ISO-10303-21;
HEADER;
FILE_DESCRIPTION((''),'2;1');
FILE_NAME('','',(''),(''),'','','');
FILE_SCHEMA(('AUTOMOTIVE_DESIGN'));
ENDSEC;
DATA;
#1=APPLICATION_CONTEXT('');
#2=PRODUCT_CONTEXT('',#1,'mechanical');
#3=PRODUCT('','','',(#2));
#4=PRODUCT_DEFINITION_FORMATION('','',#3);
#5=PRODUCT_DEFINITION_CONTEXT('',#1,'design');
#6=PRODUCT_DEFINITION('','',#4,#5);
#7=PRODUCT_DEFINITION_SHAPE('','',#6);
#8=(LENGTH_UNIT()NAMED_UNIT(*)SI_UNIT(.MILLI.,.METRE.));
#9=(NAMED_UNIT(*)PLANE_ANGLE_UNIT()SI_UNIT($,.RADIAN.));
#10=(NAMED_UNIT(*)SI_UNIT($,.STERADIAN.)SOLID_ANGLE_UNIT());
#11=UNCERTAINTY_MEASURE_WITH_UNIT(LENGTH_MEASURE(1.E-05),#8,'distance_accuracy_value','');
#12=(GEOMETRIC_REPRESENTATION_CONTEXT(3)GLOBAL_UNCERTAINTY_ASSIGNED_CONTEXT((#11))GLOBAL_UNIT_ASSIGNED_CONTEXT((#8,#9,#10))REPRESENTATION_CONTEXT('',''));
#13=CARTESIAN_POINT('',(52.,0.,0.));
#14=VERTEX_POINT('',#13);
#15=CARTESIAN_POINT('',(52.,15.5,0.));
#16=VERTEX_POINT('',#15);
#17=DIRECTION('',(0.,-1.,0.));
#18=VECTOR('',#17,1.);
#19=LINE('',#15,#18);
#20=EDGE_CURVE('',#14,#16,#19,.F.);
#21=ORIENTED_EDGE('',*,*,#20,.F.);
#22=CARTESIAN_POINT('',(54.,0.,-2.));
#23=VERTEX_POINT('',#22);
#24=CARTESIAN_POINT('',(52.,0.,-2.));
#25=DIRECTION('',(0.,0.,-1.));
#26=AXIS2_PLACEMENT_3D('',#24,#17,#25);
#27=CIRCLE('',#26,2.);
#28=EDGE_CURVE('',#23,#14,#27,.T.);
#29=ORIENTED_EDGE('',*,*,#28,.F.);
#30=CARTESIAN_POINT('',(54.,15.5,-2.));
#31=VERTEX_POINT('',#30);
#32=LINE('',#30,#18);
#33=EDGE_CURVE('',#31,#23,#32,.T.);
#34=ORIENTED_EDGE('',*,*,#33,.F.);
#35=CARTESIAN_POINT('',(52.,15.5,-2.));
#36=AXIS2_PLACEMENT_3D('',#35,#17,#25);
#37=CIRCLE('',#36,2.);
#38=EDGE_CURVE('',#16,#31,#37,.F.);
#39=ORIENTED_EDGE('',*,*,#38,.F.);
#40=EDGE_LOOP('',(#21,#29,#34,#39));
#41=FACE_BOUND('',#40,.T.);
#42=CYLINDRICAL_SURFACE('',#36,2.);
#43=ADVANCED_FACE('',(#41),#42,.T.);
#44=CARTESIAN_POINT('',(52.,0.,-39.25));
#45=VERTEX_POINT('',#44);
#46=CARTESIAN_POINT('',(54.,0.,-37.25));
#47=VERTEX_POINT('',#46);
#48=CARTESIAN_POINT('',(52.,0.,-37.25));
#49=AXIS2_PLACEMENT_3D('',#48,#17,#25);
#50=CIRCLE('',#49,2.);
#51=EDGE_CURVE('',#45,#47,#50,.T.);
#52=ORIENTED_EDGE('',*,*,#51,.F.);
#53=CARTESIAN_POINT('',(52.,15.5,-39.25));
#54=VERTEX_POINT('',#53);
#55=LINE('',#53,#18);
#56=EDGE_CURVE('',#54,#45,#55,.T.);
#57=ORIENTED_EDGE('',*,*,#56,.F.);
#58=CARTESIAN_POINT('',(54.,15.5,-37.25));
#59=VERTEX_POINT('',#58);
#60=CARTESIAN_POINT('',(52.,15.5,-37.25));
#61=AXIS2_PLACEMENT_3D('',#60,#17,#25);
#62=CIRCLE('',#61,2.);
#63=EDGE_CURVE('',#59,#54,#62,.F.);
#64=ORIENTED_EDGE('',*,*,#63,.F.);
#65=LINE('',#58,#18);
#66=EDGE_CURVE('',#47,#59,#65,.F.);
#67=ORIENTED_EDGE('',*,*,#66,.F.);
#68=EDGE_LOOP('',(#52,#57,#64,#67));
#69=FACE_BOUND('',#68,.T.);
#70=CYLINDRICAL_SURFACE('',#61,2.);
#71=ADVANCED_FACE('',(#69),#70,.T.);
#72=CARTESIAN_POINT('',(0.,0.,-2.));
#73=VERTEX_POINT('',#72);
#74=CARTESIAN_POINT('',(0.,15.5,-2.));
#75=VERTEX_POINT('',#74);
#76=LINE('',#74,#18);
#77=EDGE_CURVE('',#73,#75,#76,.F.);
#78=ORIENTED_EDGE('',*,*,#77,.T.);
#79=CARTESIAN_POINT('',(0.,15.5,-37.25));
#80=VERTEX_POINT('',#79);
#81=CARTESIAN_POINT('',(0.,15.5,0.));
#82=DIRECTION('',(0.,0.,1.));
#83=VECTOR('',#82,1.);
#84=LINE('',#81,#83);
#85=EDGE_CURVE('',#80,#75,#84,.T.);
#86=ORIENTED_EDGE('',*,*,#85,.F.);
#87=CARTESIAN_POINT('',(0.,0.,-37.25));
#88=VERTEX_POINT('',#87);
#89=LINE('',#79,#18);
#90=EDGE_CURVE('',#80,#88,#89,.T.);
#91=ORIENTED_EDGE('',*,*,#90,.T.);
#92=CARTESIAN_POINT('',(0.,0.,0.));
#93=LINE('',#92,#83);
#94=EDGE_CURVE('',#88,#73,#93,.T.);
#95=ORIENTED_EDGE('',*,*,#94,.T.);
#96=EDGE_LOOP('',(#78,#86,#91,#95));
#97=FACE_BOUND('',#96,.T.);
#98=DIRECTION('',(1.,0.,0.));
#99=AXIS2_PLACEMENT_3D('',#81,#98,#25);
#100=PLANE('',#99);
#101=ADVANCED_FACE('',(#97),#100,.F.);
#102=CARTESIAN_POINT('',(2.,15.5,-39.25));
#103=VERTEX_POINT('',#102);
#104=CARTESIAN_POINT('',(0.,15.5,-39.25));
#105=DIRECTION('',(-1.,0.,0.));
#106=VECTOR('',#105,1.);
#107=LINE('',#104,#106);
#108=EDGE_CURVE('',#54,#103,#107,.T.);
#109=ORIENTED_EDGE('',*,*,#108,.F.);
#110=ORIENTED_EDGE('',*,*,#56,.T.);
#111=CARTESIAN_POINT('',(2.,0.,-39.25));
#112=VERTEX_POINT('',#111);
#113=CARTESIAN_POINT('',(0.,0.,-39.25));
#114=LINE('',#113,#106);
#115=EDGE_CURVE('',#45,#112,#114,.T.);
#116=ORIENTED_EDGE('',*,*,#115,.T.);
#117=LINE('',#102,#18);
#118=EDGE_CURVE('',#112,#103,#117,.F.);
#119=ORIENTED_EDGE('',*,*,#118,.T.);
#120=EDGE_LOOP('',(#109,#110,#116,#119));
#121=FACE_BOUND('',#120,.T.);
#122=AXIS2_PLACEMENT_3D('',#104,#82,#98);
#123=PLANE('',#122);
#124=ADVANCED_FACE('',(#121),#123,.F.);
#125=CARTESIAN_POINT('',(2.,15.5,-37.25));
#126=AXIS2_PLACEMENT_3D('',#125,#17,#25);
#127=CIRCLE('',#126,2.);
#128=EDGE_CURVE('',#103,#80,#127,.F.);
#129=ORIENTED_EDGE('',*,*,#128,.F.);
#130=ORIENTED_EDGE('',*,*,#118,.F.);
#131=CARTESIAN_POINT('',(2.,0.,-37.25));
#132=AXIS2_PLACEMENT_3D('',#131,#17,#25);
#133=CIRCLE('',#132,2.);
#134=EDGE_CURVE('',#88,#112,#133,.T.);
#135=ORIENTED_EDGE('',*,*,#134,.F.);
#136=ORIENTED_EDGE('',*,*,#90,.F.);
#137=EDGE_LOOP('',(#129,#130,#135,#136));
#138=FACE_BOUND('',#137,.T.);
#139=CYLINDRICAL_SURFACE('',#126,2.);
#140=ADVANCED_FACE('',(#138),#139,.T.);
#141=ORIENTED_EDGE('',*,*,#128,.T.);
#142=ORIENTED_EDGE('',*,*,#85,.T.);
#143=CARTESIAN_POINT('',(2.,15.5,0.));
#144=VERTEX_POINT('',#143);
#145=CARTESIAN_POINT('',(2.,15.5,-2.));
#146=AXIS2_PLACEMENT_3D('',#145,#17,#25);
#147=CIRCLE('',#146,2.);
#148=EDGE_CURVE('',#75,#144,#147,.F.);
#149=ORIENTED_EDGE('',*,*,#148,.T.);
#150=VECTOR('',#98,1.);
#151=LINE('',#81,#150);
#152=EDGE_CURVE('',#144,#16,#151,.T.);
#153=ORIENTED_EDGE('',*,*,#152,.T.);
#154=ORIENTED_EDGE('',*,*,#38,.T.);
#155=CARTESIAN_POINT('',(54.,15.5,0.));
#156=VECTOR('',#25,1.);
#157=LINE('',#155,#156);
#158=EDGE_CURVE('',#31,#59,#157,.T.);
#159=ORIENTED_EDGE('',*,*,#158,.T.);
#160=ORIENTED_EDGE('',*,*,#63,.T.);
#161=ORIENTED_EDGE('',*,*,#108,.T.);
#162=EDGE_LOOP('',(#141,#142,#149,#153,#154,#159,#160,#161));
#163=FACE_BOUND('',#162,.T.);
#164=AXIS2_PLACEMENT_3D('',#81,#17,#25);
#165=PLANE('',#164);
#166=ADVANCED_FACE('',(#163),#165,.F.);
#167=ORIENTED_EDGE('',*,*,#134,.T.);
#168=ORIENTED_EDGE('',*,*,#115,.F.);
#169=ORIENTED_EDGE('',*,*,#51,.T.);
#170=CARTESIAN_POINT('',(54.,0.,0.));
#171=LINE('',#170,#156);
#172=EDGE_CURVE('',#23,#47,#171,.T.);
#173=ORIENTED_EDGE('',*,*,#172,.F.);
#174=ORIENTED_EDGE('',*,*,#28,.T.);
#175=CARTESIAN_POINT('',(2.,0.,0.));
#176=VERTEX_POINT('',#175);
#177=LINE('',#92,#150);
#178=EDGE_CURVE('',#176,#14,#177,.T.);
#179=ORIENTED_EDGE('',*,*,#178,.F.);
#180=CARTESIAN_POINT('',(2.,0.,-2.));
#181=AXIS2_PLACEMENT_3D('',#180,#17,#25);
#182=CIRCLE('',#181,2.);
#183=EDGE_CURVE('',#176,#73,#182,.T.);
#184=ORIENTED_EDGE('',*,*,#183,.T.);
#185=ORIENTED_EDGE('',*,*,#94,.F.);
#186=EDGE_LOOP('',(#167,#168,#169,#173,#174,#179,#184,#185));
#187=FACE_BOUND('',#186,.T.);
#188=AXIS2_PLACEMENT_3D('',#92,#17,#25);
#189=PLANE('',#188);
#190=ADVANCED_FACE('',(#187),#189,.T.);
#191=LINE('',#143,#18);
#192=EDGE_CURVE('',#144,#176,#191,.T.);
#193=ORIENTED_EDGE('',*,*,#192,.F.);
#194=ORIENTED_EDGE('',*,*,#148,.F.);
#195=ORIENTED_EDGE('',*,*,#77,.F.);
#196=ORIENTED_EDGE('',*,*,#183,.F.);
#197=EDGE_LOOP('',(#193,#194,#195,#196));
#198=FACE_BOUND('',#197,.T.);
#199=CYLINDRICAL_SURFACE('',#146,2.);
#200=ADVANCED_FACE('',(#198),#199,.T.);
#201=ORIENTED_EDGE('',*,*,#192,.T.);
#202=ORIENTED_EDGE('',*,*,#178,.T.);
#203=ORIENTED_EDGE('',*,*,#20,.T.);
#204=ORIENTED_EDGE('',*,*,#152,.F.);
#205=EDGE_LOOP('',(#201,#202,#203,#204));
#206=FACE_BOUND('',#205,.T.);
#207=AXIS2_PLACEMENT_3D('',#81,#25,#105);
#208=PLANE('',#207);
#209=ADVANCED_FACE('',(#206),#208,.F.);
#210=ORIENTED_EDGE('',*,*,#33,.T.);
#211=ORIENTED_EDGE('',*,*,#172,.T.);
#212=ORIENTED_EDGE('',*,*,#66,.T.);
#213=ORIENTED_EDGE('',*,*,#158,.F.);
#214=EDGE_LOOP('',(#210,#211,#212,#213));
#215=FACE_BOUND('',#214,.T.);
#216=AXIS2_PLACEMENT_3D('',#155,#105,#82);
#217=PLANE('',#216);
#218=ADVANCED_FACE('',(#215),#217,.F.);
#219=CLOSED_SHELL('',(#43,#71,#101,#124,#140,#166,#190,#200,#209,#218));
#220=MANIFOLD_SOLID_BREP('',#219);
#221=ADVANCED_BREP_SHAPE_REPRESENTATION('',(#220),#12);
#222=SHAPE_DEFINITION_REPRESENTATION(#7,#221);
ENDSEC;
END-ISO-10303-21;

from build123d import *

# Parameters (mm, degrees)
SKETCH1_W           = 54
SKETCH1_H           = 39.25
BOSS_EXTRUDE1_DEPTH = 15.5
FILLET1_R           = 2
FILLET2_R           = 2


with BuildPart() as part:
    # Sketch1 → Boss-Extrude1 (new body)
    with BuildSketch(Plane(origin=(0, 0, 0), x_dir=(1, 0, 0), z_dir=(0, 1, 0))):
        with Locations((27, 19.625)):
            Rectangle(SKETCH1_W, SKETCH1_H)
    extrude(amount=BOSS_EXTRUDE1_DEPTH)

    # Fillet1
    fillet1_edges = [part.edges().sort_by_distance(p)[0] for p in [
        (0, 7.75, 0),
    ]]
    fillet(fillet1_edges, radius=FILLET1_R)

    # Fillet2
    fillet2_edges = [part.edges().sort_by_distance(p)[0] for p in [
        (0, 7.75, -39.25),
        (54, 7.75, -39.25),
        (54, 7.75, 0),
    ]]
    fillet(fillet2_edges, radius=FILLET2_R)


solid = part.part
